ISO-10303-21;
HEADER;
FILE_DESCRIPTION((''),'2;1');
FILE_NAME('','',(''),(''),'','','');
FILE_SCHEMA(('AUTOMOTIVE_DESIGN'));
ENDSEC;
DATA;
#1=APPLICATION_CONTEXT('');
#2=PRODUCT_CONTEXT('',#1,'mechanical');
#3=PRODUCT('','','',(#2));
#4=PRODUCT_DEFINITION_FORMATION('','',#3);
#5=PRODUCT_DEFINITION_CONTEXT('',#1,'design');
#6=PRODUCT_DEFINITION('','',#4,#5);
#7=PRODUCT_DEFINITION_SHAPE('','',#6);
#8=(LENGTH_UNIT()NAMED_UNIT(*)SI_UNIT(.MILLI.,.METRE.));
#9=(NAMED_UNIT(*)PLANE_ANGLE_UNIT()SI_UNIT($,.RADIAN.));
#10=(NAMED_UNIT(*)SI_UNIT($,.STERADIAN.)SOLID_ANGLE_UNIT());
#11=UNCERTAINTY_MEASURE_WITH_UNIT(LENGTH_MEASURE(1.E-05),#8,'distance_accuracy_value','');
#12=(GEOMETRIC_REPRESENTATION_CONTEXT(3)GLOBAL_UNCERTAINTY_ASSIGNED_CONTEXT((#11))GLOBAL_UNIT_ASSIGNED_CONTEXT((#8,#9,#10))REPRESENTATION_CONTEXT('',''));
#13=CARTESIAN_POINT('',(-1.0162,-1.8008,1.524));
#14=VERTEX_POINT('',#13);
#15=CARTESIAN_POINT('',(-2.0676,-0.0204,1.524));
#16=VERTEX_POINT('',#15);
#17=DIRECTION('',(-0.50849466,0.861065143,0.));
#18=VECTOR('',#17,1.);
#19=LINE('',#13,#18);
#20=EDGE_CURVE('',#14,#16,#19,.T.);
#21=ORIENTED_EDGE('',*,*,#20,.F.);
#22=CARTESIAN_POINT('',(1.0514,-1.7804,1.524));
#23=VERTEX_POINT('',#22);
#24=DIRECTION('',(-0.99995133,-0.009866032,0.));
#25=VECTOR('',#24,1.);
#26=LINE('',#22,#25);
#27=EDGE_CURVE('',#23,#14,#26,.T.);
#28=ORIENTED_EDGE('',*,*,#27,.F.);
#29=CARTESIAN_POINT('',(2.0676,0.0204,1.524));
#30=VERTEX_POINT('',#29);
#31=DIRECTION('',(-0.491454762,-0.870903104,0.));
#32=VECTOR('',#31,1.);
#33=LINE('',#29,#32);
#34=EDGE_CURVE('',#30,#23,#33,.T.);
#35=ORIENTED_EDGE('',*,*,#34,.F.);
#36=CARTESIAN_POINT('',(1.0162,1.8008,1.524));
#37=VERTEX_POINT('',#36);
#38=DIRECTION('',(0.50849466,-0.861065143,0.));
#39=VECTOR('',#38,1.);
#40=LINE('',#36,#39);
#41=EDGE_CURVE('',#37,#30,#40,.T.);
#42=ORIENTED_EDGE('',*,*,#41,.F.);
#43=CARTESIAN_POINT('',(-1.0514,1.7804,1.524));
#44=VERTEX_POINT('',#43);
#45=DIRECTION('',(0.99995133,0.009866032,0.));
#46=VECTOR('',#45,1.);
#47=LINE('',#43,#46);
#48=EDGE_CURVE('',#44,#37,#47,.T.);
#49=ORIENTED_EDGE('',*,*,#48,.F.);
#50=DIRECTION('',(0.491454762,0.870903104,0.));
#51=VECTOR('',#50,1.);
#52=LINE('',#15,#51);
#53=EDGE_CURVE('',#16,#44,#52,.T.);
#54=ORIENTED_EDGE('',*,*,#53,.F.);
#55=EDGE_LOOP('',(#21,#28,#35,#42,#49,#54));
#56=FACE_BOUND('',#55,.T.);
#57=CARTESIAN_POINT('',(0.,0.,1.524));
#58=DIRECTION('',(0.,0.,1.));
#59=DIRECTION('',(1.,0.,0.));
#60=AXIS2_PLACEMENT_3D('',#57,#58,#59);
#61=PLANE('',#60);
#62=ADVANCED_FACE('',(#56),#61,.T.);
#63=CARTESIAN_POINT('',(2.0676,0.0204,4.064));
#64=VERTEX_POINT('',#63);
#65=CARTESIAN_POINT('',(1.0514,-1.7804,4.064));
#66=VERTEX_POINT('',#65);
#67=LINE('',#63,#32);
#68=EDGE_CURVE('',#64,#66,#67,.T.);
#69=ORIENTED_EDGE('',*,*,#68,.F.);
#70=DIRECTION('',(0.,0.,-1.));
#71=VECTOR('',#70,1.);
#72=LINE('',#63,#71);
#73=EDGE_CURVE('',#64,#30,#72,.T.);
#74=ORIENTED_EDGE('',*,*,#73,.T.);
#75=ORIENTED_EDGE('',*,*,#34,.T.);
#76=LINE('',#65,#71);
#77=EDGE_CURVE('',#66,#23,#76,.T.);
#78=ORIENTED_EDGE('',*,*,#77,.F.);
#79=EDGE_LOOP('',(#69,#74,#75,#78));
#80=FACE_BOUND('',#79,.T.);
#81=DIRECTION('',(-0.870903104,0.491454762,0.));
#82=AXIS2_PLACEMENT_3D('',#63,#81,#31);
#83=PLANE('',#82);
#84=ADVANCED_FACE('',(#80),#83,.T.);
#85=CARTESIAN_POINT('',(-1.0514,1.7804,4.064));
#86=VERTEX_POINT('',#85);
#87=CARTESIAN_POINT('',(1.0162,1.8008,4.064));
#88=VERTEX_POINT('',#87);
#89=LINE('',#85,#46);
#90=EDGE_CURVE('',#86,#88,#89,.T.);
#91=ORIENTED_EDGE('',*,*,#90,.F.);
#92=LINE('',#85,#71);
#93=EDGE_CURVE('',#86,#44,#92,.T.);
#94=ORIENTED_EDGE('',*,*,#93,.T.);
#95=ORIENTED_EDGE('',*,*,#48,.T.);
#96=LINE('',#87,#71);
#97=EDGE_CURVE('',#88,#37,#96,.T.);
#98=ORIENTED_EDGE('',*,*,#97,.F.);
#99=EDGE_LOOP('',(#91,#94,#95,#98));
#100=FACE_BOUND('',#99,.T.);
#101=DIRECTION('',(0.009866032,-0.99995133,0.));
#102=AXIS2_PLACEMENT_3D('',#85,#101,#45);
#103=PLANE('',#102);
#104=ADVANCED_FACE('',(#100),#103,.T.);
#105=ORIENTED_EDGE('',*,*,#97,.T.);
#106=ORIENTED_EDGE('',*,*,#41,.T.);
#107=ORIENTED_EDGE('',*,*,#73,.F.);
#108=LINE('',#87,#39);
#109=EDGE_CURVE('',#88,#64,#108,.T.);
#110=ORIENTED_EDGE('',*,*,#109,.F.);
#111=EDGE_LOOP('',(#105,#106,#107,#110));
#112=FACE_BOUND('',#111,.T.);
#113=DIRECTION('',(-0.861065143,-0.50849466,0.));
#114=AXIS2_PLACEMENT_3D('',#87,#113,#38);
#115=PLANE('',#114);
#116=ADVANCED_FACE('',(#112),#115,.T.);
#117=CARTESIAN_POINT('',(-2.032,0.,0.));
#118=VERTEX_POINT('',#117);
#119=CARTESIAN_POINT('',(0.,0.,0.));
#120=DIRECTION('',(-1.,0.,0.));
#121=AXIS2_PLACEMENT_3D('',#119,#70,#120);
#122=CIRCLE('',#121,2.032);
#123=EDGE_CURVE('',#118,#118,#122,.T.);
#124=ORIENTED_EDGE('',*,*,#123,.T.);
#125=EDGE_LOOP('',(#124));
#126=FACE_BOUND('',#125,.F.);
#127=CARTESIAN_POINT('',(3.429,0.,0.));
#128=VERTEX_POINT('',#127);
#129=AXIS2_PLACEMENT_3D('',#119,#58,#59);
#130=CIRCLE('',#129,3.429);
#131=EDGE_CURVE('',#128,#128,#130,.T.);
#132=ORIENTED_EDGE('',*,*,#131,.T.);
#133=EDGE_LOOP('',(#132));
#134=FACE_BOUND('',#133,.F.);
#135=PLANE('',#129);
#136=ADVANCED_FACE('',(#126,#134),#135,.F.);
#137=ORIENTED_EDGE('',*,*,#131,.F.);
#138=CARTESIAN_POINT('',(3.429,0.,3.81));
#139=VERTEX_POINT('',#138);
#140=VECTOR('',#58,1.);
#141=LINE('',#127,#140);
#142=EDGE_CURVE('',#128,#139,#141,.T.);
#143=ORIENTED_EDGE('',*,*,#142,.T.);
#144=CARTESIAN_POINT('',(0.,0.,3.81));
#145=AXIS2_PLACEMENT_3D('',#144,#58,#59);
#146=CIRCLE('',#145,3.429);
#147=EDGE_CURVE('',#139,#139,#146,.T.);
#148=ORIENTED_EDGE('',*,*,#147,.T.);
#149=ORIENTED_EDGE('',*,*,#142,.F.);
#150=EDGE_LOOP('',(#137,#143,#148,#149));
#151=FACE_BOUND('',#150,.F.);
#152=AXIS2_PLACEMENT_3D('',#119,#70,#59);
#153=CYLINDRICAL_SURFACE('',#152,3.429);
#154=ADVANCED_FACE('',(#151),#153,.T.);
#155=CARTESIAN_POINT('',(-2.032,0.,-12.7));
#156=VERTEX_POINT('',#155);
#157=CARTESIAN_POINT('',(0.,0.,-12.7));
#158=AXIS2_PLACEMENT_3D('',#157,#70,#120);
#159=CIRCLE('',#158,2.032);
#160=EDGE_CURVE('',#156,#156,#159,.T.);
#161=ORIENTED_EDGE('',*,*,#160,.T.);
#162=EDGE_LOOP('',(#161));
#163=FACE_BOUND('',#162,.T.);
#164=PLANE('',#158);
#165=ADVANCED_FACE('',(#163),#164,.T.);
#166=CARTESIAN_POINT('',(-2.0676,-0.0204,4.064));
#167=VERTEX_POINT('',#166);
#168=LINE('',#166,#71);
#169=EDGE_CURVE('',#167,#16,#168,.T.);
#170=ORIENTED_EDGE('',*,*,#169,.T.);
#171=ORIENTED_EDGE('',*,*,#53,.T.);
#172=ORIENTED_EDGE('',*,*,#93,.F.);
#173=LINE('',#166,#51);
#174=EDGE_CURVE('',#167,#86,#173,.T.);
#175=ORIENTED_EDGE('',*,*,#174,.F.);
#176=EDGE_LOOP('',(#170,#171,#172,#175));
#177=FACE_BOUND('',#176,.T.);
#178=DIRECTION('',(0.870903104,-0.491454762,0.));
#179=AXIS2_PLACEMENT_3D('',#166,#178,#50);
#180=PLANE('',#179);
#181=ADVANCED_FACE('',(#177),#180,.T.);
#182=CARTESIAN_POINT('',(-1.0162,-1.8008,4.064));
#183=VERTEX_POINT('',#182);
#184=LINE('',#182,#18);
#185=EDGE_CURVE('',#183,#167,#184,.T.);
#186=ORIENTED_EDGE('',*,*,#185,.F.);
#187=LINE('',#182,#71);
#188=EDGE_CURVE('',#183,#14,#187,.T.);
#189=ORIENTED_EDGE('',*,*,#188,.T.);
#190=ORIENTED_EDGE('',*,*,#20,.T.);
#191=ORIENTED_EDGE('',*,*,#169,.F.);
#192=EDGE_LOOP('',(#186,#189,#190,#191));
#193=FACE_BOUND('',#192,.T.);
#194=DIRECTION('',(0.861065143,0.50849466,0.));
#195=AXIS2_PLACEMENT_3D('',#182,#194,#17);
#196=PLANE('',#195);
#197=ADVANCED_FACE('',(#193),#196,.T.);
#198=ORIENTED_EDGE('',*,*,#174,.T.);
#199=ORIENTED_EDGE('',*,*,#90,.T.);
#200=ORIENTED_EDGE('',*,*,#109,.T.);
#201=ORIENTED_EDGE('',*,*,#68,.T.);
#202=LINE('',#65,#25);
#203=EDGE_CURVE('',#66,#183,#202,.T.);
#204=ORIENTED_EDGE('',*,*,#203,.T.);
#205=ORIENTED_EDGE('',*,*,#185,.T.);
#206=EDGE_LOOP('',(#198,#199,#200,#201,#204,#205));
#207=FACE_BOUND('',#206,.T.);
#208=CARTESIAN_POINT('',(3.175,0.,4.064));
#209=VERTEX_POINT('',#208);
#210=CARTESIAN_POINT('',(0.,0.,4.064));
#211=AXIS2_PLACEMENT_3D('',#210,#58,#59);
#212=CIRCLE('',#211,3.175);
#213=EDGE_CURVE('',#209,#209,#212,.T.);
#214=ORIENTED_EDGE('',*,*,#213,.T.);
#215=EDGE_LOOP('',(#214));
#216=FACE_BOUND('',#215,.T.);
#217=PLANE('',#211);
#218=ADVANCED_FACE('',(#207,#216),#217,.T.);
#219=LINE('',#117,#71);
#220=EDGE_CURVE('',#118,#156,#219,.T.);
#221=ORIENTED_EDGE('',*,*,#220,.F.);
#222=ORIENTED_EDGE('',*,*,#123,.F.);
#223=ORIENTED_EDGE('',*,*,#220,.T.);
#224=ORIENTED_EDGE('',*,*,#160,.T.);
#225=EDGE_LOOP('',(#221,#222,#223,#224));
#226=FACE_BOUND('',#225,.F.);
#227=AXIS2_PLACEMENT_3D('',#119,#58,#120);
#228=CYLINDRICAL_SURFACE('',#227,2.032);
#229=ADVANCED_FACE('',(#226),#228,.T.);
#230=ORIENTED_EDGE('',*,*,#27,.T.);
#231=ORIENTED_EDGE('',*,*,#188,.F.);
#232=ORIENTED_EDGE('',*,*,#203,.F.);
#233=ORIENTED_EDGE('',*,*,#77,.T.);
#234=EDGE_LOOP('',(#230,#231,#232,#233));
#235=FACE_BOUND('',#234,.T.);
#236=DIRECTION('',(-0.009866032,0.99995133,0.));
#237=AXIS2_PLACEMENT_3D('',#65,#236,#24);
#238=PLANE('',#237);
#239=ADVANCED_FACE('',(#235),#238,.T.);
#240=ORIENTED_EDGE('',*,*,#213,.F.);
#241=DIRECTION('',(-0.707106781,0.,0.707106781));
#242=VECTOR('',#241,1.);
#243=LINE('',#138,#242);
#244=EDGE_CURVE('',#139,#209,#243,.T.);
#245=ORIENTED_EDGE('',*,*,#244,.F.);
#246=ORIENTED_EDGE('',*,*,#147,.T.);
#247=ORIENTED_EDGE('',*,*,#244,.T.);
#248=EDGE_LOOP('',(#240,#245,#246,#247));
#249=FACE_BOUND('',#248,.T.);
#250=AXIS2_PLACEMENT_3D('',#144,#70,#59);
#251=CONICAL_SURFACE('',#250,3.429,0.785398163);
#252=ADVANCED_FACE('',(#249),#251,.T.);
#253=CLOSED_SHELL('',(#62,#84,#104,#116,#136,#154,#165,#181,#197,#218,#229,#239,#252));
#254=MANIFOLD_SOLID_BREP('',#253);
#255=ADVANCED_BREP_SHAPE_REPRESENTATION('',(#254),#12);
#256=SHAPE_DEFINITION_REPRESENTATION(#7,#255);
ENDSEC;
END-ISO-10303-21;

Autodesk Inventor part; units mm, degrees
ref_plane "YZ Plane" through (0, 0, 0) normal (1, 0, 0) x (0, 1, 0)
ref_plane "XZ Plane" through (0, 0, 0) normal (0, 1, 0) x (-1, 0, 0)
ref_plane "XY Plane" through (0, 0, 0) normal (0, 0, 1) x (1, 0, 0)
sketch "Sketch1" plane through (0, 0, 0) normal (0, 0, 1) x (1, 0, 0)
  circle A0 centre (0, 0) radius 3.429
  dimension "d0" = 6.858
extrude "Extrusion1" add sketch "Sketch1" along normal blind 4.064
sketch "Sketch2" plane through (0, 0, 4.064) normal (0, 0, 1) x (1, 0, 0)
  line L0 (-1.0514, 1.7804) -> (1.0162, 1.8008)
  line L1 (1.0162, 1.8008) -> (2.0676, 0.0204)
  line L2 (2.0676, 0.0204) -> (1.0514, -1.7804)
  line L3 (1.0514, -1.7804) -> (-1.0162, -1.8008)
  line L4 (-1.0162, -1.8008) -> (-2.0676, -0.0204)
  line L5 (-2.0676, -0.0204) -> (-1.0514, 1.7804)
  point P0 (0, 0)
  point P1 (0, 0)
  dimension "d3" = 3.5814
extrude "Extrusion2" cut sketch "Sketch2" against normal blind 2.54
chamfer "Chamfer1" distance 0.254 angle 45 1 edges at (-3.429, 0, 4.064)
sketch "Sketch3" plane through (0, 0, 0) normal (0, 0, -1) x (-1, 0, 0)
  circle A0 centre (0, 0) radius 2.032
  dimension "d9" = 4.064
extrude "Extrusion3" add sketch "Sketch3" along normal blind 12.7
thread "Thread1" size "8-32 UNC" class "2A" standard "ANSI Unified Screw Threads" full length
properties part number "8-32 UNC Bolt" material "Stainless Steel"
